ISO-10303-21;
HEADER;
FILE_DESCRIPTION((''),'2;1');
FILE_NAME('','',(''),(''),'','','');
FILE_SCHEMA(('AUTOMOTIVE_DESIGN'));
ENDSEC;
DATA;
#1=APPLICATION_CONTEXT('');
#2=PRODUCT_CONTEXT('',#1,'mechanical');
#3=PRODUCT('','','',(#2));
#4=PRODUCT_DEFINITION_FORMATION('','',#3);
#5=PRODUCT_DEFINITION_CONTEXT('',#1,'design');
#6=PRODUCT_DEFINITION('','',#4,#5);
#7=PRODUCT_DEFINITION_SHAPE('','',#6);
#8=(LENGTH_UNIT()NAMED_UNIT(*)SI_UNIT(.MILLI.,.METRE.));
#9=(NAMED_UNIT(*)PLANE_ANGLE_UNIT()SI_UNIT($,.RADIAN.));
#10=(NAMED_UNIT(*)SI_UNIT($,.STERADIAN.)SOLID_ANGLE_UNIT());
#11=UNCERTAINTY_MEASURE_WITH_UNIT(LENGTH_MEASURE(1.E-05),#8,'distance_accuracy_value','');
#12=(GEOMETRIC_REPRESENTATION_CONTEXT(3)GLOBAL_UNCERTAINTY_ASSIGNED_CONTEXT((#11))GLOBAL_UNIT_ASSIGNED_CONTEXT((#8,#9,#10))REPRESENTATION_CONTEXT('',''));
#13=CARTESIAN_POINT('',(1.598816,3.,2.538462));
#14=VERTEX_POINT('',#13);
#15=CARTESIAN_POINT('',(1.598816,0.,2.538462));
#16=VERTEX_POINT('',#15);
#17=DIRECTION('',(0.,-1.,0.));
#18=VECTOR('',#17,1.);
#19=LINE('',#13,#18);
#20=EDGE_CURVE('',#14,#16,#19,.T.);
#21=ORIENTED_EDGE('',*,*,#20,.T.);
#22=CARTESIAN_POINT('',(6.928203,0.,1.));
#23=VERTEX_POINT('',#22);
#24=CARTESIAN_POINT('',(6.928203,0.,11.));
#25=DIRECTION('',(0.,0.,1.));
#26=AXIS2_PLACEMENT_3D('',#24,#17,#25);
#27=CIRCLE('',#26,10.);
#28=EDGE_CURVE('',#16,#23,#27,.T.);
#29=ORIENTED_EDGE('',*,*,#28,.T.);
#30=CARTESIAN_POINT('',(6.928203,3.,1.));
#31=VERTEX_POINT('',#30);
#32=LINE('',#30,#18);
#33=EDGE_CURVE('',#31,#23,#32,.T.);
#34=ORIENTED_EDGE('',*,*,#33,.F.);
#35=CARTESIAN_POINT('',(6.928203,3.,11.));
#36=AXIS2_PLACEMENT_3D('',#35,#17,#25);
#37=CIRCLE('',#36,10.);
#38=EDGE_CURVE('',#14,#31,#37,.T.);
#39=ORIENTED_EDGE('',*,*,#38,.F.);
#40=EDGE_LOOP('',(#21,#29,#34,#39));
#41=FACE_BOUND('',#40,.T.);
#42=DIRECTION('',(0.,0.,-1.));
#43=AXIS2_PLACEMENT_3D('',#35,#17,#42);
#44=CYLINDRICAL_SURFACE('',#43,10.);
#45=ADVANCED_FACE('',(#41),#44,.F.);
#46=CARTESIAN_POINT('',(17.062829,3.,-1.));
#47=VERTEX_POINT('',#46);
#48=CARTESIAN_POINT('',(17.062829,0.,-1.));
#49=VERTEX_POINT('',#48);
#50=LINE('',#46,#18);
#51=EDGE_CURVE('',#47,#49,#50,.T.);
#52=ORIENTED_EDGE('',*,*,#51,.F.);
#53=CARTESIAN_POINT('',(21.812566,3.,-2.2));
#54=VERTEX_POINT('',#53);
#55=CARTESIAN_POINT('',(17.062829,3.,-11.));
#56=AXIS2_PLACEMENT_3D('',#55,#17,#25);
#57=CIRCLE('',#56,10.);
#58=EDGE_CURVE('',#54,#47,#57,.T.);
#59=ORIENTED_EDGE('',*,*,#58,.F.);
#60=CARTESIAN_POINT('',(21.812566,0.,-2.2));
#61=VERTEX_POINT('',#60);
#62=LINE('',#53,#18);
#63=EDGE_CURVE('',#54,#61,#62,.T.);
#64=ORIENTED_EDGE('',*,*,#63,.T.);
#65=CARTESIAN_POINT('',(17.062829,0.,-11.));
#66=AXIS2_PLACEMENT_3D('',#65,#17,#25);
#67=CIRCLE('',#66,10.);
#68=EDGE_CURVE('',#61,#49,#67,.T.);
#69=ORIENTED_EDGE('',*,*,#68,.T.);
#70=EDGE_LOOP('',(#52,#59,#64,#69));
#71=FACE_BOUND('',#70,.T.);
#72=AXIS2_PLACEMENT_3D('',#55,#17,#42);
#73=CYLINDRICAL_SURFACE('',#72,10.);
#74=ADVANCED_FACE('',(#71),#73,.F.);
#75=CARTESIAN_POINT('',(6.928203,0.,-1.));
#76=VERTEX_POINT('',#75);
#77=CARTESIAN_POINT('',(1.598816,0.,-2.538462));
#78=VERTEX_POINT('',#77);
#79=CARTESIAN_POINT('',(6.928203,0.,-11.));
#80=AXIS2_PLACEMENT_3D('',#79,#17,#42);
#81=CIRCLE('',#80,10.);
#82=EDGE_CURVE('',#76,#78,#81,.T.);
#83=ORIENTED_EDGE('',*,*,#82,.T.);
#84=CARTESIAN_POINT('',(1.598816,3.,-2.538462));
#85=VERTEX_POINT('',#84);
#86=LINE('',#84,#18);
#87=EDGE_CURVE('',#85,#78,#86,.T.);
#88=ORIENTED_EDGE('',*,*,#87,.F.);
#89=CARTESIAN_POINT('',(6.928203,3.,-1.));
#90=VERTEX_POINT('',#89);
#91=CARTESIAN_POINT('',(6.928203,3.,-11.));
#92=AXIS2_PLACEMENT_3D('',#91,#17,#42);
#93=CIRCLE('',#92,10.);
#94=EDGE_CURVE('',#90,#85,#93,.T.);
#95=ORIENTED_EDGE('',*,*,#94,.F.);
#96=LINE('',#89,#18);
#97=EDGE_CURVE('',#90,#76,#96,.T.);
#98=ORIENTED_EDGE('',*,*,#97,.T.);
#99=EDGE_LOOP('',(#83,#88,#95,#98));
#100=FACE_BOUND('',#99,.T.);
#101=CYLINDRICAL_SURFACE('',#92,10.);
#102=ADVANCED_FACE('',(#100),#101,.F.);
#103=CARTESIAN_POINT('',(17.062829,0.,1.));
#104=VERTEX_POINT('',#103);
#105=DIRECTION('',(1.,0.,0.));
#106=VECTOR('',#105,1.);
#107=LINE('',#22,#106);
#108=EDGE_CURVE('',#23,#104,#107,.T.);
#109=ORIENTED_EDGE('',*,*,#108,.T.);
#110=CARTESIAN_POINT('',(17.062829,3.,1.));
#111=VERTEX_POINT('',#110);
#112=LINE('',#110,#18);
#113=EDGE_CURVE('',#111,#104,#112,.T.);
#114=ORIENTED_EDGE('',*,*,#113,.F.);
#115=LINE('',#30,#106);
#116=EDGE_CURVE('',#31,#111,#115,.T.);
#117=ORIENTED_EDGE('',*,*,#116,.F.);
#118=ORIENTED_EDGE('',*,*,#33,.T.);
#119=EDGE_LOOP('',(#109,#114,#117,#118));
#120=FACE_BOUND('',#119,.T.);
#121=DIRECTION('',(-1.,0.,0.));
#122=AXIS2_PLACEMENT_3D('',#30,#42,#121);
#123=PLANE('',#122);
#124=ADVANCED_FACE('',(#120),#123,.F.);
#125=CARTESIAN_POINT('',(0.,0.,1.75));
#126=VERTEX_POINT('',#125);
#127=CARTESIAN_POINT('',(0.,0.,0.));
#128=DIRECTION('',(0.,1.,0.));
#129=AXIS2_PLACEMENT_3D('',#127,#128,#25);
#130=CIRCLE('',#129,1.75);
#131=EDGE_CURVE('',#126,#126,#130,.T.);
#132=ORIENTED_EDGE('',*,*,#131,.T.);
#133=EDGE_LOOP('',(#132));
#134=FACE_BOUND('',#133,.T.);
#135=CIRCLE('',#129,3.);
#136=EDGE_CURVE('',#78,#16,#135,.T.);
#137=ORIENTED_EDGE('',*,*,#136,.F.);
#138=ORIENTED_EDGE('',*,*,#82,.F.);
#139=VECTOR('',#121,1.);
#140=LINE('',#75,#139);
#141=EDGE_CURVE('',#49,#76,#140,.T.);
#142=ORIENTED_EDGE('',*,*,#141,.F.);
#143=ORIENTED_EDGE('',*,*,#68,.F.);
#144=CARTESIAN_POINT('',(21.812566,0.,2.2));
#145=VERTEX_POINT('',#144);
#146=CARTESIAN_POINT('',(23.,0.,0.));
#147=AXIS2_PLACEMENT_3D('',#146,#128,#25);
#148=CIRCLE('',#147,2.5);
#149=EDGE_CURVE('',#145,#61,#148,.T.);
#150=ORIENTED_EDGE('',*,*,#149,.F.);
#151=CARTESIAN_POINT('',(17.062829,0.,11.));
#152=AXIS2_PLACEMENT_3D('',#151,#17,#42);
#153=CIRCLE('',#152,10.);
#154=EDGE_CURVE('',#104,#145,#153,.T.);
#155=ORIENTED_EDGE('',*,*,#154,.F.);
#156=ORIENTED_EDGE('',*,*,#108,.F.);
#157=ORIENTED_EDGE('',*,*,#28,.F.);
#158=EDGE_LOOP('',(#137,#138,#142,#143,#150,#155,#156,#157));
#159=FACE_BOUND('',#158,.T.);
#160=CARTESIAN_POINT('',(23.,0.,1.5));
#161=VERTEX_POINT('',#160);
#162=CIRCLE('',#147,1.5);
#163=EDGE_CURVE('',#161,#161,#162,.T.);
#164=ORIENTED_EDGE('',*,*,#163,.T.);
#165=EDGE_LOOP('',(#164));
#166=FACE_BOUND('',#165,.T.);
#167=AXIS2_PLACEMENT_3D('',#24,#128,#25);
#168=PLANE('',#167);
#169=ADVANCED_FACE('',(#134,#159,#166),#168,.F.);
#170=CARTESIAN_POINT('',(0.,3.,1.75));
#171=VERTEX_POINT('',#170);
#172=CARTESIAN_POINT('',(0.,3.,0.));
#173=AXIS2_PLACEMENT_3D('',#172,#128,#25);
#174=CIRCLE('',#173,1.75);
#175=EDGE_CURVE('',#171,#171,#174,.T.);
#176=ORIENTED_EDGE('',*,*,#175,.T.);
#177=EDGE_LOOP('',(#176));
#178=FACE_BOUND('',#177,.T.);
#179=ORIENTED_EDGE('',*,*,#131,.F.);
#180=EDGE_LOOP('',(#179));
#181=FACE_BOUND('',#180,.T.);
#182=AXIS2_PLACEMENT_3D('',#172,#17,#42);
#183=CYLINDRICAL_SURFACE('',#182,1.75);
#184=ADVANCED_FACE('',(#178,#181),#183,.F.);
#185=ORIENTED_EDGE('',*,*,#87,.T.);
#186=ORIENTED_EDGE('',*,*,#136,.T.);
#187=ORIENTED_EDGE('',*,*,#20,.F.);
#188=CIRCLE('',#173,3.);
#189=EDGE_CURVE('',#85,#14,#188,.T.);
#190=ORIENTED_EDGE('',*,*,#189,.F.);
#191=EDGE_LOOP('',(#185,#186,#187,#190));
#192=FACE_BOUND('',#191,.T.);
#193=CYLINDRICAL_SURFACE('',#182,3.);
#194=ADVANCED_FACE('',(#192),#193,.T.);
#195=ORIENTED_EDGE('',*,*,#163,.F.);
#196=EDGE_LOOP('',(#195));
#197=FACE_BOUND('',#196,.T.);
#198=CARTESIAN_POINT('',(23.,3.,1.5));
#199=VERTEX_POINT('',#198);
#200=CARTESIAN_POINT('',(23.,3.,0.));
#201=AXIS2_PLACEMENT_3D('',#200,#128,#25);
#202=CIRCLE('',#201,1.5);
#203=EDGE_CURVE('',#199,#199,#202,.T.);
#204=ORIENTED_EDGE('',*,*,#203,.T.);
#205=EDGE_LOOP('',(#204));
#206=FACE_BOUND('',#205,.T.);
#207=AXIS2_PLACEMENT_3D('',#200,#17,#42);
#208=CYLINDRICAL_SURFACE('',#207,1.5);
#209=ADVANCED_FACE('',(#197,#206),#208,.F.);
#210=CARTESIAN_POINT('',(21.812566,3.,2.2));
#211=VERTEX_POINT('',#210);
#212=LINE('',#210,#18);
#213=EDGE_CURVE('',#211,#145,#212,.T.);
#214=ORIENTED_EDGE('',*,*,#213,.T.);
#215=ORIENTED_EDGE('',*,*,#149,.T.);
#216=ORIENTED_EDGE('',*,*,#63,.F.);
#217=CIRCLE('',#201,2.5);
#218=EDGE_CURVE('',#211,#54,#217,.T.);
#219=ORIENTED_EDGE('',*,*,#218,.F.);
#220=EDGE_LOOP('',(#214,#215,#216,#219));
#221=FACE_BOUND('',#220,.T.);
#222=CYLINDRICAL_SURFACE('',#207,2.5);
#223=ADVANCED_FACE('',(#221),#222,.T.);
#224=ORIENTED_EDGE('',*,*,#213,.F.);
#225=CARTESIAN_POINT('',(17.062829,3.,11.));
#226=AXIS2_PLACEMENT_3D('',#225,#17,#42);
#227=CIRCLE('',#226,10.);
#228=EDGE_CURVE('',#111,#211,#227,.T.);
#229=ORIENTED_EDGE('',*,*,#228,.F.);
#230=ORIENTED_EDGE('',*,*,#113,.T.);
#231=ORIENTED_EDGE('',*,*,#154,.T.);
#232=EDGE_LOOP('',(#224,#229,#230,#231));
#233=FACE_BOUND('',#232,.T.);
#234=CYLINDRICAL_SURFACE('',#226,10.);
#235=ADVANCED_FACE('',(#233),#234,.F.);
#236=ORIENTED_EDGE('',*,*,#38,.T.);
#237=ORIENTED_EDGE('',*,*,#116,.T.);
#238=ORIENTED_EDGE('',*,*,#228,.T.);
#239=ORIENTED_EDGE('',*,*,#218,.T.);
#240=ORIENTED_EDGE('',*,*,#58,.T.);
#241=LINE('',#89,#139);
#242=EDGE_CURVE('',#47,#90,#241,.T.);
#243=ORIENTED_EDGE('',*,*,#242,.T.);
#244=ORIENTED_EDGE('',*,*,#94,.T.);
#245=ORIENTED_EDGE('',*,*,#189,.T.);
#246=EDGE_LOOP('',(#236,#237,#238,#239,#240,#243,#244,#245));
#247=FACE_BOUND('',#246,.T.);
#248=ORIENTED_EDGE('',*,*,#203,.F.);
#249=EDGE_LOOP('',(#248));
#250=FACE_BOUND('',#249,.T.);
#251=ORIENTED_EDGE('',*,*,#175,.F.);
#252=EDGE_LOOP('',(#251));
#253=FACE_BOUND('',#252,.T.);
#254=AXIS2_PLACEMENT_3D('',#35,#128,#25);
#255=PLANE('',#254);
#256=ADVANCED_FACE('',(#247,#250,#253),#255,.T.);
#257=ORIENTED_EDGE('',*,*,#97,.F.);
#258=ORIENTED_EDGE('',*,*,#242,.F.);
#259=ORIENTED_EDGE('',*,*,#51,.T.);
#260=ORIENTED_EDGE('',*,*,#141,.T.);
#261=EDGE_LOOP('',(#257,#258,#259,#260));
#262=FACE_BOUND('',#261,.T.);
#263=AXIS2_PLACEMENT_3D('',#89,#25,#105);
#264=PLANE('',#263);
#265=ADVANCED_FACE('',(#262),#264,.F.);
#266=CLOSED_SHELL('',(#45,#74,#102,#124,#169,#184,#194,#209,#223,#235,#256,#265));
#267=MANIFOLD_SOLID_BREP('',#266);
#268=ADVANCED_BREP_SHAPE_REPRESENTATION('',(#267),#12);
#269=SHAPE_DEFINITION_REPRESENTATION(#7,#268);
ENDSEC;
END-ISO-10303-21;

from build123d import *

# Parameters (mm, degrees)
SKETCH1_R           = 1.75
SKETCH1_R_2         = 1.5
BOSS_EXTRUDE1_DEPTH = 3


with BuildPart() as part:
    # Sketch1 → Boss-Extrude1 (new body)
    with BuildSketch(Plane(origin=(0, 0, 0), x_dir=(1, 0, 0), z_dir=(0, 1, 0))):
        with BuildLine():
            Line((6.92820323, 1), (17.062828956, 1))
            ThreePointArc((17.062828956, 1), (19.512318699, 1.304640285), (21.812565791, 2.2))
            ThreePointArc((21.812565791, 2.2), (25.5, 0), (21.812565791, -2.2))
            ThreePointArc((21.812565791, -2.2), (19.512318699, -1.304640285), (17.062828956, -1))
            Line((17.062828956, -1), (6.92820323, -1))
            ThreePointArc((6.92820323, -1), (4.154702249, -1.392310772), (1.59881613, -2.538461538))
            ThreePointArc((1.59881613, -2.538461538), (-3, 0), (1.59881613, 2.538461538))
            ThreePointArc((1.59881613, 2.538461538), (4.154702249, 1.392310772), (6.92820323, 1))
        make_face()
        Circle(SKETCH1_R, mode=Mode.SUBTRACT)
        with Locations((23, 0)):
            Circle(SKETCH1_R_2, mode=Mode.SUBTRACT)
    extrude(amount=BOSS_EXTRUDE1_DEPTH)


solid = part.part
